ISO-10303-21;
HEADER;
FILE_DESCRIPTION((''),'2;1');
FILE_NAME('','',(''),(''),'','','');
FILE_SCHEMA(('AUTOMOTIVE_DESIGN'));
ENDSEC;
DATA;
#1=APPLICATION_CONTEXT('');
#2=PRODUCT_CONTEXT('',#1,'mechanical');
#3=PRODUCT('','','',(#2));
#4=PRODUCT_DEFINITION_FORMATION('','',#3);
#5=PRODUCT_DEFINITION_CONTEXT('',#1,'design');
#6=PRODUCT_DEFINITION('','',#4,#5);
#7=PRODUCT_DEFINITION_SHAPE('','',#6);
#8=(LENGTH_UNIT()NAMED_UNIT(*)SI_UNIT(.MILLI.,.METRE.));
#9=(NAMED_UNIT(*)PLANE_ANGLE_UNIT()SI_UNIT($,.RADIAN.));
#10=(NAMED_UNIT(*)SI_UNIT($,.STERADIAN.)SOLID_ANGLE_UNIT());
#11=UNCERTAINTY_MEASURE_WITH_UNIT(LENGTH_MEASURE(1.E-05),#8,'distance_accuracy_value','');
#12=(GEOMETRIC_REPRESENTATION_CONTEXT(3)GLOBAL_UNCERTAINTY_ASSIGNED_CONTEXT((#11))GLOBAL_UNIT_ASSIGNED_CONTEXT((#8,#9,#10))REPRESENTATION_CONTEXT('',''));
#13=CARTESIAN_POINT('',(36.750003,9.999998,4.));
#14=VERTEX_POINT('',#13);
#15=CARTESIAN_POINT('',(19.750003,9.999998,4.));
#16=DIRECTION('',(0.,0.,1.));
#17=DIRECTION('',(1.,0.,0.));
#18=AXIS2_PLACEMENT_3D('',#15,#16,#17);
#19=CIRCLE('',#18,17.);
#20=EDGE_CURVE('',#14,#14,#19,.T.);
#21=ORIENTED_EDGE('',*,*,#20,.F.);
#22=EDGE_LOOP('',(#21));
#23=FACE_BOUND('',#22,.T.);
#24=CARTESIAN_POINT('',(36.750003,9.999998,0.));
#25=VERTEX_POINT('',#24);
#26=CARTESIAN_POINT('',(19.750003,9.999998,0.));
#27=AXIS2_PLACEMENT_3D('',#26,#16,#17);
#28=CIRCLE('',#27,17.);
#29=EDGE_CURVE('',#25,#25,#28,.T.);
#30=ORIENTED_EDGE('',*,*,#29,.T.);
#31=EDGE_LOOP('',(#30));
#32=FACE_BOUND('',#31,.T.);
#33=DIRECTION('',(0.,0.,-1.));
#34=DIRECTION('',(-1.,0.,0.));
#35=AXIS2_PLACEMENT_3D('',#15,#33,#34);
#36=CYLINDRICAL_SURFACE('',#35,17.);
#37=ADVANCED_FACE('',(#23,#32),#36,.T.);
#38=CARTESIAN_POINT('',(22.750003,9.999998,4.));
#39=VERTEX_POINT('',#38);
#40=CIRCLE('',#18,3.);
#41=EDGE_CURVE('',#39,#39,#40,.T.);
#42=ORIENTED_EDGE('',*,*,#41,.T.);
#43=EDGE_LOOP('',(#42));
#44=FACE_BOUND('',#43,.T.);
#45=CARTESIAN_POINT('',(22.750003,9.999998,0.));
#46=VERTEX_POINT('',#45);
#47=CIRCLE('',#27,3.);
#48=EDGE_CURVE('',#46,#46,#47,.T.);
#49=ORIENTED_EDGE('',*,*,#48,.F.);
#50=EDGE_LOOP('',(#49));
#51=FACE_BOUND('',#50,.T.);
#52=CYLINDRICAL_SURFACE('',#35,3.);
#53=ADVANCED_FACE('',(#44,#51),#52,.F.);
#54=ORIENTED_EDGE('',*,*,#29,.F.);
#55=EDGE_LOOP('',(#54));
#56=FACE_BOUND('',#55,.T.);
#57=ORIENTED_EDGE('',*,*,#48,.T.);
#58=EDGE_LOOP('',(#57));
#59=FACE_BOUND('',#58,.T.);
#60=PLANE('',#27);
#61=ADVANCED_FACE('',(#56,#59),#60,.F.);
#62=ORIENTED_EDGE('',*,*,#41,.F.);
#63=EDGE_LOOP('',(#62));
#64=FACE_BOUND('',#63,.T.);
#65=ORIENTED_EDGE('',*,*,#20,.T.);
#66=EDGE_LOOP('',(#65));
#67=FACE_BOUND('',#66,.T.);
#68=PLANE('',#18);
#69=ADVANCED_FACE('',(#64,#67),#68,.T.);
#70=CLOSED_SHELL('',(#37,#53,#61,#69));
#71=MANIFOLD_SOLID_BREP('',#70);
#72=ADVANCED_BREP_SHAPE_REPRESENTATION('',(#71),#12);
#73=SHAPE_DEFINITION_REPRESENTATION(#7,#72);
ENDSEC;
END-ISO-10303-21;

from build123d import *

# Parameters (mm, degrees)
SKETCH1_R           = 17
SKETCH1_R_2         = 3
BOSS_EXTRUDE1_DEPTH = 4


with BuildPart() as part:
    # Sketch1 → Boss-Extrude1 (new body)
    with BuildSketch(Plane.XY):
        with Locations((19.750003067, 9.999998036)):
            Circle(SKETCH1_R)
        with Locations((19.750003067, 9.999998036)):
            Circle(SKETCH1_R_2, mode=Mode.SUBTRACT)
    extrude(amount=BOSS_EXTRUDE1_DEPTH)


solid = part.part
